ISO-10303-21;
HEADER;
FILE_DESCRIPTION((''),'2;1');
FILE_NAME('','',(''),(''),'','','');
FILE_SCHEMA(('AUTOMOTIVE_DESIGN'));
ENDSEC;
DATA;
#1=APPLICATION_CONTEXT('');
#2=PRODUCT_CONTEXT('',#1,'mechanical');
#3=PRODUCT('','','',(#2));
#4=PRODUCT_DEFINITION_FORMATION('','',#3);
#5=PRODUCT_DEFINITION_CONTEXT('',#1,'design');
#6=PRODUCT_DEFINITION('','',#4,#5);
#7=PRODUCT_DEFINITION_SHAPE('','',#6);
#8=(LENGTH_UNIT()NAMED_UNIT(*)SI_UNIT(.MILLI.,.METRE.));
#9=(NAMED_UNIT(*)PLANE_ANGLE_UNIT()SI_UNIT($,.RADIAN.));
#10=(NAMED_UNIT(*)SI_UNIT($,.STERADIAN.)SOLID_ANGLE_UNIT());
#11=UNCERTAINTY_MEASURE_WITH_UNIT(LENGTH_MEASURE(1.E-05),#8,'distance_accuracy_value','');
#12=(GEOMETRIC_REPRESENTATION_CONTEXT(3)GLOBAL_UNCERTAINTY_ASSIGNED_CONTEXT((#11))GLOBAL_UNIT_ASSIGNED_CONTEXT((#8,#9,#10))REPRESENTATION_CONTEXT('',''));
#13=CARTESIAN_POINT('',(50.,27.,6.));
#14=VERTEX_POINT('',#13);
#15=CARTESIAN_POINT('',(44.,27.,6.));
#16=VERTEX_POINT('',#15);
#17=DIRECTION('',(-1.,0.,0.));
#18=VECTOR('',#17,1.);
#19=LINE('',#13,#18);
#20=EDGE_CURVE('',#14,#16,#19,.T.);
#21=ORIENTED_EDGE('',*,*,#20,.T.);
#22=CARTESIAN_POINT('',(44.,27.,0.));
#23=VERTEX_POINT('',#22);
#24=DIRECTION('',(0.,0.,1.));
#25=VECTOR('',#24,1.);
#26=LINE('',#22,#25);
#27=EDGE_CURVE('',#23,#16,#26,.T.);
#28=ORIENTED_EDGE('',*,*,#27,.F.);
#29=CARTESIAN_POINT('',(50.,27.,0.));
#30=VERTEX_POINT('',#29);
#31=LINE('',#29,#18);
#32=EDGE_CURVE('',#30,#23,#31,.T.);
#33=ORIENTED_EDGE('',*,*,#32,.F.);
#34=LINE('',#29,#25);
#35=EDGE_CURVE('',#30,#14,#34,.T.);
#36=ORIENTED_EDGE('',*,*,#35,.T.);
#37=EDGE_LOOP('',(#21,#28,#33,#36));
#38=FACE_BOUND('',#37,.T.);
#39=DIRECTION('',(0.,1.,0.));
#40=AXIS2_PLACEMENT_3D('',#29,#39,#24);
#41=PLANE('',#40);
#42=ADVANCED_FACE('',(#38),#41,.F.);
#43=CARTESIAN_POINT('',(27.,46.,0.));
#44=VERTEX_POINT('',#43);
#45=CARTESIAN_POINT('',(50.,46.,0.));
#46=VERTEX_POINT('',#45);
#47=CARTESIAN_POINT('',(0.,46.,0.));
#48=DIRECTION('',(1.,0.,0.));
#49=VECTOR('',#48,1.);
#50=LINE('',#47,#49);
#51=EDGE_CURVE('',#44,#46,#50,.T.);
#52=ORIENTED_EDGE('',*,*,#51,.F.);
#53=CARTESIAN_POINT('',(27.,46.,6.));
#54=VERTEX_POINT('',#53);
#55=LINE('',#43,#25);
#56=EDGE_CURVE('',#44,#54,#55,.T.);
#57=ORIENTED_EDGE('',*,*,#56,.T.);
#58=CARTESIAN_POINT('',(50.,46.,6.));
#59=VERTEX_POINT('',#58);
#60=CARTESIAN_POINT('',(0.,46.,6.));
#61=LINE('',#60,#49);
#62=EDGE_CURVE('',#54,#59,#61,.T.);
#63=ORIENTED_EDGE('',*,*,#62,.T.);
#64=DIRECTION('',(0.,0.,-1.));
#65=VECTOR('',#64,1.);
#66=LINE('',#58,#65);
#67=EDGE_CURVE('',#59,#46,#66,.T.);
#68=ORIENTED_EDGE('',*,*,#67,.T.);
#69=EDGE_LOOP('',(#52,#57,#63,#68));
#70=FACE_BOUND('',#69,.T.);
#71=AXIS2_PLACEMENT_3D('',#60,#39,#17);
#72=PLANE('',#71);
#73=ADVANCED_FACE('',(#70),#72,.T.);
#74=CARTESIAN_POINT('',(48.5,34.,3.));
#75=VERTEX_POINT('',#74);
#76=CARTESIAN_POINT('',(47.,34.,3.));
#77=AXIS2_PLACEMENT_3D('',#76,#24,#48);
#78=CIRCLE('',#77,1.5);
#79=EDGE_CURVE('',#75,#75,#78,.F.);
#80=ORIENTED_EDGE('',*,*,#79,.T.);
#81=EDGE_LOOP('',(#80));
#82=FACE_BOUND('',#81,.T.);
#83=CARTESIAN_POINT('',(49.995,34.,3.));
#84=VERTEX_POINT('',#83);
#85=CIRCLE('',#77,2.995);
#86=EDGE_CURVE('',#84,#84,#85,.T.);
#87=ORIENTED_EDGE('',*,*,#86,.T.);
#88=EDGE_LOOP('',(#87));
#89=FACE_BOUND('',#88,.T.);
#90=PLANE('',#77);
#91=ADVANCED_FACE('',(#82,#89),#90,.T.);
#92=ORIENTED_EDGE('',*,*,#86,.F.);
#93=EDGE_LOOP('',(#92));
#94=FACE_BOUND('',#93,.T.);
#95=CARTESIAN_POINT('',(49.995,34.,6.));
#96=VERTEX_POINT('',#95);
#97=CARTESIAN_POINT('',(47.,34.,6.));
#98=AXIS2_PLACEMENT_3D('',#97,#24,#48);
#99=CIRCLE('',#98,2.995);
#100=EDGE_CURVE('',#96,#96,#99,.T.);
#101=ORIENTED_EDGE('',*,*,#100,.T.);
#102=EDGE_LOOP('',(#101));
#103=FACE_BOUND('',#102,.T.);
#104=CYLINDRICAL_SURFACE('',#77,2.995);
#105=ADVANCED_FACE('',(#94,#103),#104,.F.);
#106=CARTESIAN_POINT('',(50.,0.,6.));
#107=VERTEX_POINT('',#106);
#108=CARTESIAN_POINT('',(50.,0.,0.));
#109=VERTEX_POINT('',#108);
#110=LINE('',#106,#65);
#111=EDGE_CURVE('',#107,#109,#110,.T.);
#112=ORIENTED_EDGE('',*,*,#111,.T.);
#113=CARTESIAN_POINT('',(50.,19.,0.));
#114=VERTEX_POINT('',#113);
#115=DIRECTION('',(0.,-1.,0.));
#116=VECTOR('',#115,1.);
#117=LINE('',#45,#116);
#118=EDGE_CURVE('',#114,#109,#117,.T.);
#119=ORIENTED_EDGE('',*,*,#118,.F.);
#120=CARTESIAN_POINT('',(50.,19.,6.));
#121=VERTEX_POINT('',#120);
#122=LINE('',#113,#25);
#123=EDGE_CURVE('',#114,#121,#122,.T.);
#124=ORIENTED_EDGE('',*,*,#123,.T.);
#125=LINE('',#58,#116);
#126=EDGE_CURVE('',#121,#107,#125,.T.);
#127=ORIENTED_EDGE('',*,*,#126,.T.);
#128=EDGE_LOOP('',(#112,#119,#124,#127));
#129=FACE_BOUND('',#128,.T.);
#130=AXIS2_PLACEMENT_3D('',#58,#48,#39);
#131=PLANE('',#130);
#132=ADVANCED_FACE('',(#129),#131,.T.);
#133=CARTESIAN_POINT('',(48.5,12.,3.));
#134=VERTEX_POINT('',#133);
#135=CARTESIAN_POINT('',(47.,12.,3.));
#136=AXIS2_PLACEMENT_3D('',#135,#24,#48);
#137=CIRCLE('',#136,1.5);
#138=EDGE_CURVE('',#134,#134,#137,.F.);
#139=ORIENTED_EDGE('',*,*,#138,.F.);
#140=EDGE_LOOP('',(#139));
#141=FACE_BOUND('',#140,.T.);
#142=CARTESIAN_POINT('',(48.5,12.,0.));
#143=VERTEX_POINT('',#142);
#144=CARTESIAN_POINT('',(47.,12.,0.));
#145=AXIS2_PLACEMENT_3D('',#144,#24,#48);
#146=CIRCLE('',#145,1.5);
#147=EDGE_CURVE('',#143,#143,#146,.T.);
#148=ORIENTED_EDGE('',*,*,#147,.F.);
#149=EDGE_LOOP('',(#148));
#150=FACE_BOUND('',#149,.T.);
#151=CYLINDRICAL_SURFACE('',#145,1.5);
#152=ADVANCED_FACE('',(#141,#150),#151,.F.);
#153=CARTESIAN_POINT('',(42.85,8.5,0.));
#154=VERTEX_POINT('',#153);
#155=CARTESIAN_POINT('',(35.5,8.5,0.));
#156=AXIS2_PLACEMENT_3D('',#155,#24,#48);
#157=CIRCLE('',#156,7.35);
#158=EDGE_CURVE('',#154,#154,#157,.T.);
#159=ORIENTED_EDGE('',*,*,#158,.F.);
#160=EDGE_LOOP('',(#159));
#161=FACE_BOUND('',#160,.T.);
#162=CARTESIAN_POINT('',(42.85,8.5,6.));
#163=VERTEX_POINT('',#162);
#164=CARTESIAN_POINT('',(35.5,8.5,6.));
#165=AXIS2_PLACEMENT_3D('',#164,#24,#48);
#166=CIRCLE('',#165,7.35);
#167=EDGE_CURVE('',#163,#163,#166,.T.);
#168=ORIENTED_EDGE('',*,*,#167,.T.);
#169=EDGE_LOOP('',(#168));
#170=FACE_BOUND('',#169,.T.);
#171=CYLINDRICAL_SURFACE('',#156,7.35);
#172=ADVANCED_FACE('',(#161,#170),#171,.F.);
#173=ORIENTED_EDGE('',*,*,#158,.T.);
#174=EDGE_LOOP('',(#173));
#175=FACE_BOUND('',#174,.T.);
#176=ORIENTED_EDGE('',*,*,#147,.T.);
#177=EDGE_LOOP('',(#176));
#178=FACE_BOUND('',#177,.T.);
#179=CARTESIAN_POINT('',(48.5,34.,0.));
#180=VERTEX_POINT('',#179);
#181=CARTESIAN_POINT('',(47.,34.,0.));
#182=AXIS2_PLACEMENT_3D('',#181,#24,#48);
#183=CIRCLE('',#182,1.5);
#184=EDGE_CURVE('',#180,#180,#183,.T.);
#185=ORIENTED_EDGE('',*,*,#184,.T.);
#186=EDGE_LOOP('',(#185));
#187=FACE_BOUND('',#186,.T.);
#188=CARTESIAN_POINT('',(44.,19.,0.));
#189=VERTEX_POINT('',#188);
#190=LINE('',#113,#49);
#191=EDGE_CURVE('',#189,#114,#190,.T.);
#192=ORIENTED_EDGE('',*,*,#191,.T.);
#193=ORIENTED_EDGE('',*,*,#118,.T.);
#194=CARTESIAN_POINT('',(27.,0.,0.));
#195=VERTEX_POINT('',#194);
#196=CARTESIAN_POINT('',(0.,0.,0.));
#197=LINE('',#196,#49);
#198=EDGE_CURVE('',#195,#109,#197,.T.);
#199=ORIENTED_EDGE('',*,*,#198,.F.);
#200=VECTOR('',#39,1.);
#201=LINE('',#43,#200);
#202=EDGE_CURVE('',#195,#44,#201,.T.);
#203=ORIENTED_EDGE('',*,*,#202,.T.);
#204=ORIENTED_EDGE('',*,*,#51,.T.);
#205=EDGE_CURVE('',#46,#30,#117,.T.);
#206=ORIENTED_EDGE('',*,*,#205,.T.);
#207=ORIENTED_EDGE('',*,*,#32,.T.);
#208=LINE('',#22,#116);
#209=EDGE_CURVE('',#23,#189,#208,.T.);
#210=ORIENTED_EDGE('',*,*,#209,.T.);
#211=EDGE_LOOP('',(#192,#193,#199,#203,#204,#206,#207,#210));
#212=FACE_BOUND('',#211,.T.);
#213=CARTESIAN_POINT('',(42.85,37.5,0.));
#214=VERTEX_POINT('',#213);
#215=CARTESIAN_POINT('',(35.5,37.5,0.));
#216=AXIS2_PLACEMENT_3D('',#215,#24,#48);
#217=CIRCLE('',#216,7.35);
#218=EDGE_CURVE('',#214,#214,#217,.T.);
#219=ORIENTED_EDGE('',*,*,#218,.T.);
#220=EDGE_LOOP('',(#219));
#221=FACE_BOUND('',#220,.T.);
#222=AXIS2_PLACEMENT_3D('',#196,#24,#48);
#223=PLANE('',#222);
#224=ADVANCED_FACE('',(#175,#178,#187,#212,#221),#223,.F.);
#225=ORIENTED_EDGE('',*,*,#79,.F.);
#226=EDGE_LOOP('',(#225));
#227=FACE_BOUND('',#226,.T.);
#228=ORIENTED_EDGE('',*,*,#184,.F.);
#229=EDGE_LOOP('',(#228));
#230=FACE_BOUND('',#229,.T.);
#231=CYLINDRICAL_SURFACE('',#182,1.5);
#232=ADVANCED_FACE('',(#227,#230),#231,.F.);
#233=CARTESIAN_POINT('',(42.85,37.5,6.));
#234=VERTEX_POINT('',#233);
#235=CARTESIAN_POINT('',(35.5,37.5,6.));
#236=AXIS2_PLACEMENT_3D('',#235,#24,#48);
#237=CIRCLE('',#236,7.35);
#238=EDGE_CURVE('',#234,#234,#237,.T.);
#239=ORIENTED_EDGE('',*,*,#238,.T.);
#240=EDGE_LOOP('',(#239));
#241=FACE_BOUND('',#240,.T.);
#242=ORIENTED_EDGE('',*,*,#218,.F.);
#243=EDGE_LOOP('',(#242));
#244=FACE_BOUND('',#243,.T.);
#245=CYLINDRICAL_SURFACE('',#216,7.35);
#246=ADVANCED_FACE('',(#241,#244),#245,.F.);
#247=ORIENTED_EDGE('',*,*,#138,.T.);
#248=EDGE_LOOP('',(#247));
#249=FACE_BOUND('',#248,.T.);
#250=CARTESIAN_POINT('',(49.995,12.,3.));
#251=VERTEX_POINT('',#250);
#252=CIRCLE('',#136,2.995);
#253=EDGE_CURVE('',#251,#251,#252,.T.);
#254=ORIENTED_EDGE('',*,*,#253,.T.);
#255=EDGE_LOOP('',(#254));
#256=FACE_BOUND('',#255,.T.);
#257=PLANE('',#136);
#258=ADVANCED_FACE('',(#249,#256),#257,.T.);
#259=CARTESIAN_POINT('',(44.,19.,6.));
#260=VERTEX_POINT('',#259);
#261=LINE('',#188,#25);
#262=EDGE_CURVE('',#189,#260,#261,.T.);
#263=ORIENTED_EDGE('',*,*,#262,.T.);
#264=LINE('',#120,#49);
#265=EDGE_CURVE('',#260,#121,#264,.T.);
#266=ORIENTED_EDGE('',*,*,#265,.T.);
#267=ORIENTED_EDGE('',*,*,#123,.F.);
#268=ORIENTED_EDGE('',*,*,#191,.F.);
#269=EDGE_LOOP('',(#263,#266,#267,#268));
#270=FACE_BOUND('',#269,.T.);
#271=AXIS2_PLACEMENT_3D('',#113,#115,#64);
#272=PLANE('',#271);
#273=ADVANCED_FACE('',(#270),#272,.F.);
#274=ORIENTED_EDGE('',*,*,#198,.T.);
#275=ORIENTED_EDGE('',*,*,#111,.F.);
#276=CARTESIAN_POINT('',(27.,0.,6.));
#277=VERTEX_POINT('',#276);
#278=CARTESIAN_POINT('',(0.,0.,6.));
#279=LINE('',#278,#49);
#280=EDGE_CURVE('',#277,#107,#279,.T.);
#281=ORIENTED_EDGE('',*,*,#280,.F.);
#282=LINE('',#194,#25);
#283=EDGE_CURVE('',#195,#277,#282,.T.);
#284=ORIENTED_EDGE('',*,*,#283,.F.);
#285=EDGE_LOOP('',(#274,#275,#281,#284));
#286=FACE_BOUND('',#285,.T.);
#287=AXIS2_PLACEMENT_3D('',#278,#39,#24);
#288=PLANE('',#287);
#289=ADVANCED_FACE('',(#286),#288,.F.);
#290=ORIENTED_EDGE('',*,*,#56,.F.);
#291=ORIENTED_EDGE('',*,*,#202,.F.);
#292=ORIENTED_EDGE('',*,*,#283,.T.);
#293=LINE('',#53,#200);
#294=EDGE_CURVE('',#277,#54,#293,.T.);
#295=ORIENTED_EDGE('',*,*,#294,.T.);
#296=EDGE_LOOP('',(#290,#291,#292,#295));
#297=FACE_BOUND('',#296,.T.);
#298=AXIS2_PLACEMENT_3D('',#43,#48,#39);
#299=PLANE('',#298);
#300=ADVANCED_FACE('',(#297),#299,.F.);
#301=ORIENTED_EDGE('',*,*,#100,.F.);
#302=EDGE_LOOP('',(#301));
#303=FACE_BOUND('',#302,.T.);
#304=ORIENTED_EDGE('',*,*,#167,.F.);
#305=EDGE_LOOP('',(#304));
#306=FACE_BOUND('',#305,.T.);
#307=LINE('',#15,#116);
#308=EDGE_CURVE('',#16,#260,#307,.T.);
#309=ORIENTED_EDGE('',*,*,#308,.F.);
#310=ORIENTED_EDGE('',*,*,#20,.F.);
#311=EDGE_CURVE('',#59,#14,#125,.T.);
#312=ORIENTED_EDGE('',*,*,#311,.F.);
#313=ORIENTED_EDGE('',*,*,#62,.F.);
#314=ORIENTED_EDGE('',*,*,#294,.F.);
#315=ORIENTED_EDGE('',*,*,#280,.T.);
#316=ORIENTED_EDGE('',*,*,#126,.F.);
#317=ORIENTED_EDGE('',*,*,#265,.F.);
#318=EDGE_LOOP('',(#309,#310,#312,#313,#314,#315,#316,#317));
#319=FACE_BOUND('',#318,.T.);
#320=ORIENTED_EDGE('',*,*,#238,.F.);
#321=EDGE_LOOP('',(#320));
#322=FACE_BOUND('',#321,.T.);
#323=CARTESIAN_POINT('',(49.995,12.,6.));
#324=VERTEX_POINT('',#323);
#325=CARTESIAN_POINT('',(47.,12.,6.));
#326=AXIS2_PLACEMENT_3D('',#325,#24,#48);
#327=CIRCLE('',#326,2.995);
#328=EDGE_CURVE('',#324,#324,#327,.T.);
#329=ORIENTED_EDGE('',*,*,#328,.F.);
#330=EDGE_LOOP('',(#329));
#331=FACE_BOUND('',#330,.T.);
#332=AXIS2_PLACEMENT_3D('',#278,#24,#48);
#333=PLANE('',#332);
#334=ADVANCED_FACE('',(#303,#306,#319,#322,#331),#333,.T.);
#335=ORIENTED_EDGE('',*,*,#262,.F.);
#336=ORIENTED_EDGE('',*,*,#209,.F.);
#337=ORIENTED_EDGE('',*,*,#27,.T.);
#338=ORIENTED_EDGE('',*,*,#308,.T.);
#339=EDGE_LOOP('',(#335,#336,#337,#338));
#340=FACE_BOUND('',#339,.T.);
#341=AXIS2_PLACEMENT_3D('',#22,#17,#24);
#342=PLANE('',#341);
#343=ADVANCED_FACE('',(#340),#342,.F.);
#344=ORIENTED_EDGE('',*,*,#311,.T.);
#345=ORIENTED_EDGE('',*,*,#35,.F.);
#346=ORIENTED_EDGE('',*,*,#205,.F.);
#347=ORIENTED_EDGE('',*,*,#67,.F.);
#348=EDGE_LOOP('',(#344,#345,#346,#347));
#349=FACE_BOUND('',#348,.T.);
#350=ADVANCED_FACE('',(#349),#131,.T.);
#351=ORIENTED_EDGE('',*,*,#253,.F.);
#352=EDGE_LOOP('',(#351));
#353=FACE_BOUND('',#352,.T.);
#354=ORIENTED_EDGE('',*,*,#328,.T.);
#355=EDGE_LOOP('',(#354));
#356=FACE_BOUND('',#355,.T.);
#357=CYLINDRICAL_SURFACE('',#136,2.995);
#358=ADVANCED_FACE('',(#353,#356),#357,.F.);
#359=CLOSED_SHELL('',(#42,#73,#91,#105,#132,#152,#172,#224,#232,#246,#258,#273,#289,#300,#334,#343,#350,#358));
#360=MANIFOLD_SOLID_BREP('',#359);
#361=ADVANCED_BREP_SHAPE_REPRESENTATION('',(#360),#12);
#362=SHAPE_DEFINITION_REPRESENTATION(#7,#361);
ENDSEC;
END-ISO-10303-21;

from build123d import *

# Parameters (mm, degrees)
ESQUISSE1_W             = 50
ESQUISSE1_H             = 46
BOSS_EXTRU_2_DEPTH      = 6
ESQUISSE2_W             = 27
ESQUISSE2_H             = 46
ENL_V_MAT_EXTRU_1_DEPTH = 6
ESQUISSE3_R             = 7.35
ENL_V_MAT_EXTRU_2_DEPTH = 6
ESQUISSE4_R             = 1.5
ENL_V_MAT_EXTRU_3_DEPTH = 6
ESQUISSE5_R             = 2.995
ENL_V_MAT_EXTRU_5_DEPTH = 3
ESQUISSE6_W             = 6
ESQUISSE6_H             = 8
ENL_V_MAT_EXTRU_6_DEPTH = 6


with BuildPart() as part:
    # Esquisse1 → Boss.-Extru.2 (new body)
    with BuildSketch(Plane.XY):
        with Locations((25, 23)):
            Rectangle(ESQUISSE1_W, ESQUISSE1_H)
    extrude(amount=BOSS_EXTRU_2_DEPTH)

    # Esquisse2 → Enlèv. mat.-Extru.1 (cut)
    with BuildSketch(Plane.XY.offset(6)):
        with Locations((13.5, 23)):
            Rectangle(ESQUISSE2_W, ESQUISSE2_H)
    extrude(amount=-ENL_V_MAT_EXTRU_1_DEPTH, mode=Mode.SUBTRACT)

    # Esquisse3 → Enlèv. mat.-Extru.2 (cut)
    with BuildSketch(Plane.XY.offset(6)):
        with Locations((35.5, 37.5)):
            Circle(ESQUISSE3_R)
        with Locations((35.5, 8.5)):
            Circle(ESQUISSE3_R)
    extrude(amount=-ENL_V_MAT_EXTRU_2_DEPTH, mode=Mode.SUBTRACT)

    # Esquisse4 → Enlèv. mat.-Extru.3 (cut)
    with BuildSketch(Plane.XY.offset(6)):
        with Locations((47, 34)):
            Circle(ESQUISSE4_R)
        with Locations((47, 12)):
            Circle(ESQUISSE4_R)
    extrude(amount=-ENL_V_MAT_EXTRU_3_DEPTH, mode=Mode.SUBTRACT)

    # Esquisse5 → Enlèv. mat.-Extru.5 (cut)
    with BuildSketch(Plane.XY.offset(6)):
        with Locations((47, 12)):
            Circle(ESQUISSE5_R)
        with Locations((47, 34)):
            Circle(ESQUISSE5_R)
    extrude(amount=-ENL_V_MAT_EXTRU_5_DEPTH, mode=Mode.SUBTRACT)

    # Esquisse6 → Enlèv. mat.-Extru.6 (cut)
    with BuildSketch(Plane.XY.offset(6)):
        with Locations((47, 23)):
            Rectangle(ESQUISSE6_W, ESQUISSE6_H)
    extrude(amount=-ENL_V_MAT_EXTRU_6_DEPTH, mode=Mode.SUBTRACT)


solid = part.part
